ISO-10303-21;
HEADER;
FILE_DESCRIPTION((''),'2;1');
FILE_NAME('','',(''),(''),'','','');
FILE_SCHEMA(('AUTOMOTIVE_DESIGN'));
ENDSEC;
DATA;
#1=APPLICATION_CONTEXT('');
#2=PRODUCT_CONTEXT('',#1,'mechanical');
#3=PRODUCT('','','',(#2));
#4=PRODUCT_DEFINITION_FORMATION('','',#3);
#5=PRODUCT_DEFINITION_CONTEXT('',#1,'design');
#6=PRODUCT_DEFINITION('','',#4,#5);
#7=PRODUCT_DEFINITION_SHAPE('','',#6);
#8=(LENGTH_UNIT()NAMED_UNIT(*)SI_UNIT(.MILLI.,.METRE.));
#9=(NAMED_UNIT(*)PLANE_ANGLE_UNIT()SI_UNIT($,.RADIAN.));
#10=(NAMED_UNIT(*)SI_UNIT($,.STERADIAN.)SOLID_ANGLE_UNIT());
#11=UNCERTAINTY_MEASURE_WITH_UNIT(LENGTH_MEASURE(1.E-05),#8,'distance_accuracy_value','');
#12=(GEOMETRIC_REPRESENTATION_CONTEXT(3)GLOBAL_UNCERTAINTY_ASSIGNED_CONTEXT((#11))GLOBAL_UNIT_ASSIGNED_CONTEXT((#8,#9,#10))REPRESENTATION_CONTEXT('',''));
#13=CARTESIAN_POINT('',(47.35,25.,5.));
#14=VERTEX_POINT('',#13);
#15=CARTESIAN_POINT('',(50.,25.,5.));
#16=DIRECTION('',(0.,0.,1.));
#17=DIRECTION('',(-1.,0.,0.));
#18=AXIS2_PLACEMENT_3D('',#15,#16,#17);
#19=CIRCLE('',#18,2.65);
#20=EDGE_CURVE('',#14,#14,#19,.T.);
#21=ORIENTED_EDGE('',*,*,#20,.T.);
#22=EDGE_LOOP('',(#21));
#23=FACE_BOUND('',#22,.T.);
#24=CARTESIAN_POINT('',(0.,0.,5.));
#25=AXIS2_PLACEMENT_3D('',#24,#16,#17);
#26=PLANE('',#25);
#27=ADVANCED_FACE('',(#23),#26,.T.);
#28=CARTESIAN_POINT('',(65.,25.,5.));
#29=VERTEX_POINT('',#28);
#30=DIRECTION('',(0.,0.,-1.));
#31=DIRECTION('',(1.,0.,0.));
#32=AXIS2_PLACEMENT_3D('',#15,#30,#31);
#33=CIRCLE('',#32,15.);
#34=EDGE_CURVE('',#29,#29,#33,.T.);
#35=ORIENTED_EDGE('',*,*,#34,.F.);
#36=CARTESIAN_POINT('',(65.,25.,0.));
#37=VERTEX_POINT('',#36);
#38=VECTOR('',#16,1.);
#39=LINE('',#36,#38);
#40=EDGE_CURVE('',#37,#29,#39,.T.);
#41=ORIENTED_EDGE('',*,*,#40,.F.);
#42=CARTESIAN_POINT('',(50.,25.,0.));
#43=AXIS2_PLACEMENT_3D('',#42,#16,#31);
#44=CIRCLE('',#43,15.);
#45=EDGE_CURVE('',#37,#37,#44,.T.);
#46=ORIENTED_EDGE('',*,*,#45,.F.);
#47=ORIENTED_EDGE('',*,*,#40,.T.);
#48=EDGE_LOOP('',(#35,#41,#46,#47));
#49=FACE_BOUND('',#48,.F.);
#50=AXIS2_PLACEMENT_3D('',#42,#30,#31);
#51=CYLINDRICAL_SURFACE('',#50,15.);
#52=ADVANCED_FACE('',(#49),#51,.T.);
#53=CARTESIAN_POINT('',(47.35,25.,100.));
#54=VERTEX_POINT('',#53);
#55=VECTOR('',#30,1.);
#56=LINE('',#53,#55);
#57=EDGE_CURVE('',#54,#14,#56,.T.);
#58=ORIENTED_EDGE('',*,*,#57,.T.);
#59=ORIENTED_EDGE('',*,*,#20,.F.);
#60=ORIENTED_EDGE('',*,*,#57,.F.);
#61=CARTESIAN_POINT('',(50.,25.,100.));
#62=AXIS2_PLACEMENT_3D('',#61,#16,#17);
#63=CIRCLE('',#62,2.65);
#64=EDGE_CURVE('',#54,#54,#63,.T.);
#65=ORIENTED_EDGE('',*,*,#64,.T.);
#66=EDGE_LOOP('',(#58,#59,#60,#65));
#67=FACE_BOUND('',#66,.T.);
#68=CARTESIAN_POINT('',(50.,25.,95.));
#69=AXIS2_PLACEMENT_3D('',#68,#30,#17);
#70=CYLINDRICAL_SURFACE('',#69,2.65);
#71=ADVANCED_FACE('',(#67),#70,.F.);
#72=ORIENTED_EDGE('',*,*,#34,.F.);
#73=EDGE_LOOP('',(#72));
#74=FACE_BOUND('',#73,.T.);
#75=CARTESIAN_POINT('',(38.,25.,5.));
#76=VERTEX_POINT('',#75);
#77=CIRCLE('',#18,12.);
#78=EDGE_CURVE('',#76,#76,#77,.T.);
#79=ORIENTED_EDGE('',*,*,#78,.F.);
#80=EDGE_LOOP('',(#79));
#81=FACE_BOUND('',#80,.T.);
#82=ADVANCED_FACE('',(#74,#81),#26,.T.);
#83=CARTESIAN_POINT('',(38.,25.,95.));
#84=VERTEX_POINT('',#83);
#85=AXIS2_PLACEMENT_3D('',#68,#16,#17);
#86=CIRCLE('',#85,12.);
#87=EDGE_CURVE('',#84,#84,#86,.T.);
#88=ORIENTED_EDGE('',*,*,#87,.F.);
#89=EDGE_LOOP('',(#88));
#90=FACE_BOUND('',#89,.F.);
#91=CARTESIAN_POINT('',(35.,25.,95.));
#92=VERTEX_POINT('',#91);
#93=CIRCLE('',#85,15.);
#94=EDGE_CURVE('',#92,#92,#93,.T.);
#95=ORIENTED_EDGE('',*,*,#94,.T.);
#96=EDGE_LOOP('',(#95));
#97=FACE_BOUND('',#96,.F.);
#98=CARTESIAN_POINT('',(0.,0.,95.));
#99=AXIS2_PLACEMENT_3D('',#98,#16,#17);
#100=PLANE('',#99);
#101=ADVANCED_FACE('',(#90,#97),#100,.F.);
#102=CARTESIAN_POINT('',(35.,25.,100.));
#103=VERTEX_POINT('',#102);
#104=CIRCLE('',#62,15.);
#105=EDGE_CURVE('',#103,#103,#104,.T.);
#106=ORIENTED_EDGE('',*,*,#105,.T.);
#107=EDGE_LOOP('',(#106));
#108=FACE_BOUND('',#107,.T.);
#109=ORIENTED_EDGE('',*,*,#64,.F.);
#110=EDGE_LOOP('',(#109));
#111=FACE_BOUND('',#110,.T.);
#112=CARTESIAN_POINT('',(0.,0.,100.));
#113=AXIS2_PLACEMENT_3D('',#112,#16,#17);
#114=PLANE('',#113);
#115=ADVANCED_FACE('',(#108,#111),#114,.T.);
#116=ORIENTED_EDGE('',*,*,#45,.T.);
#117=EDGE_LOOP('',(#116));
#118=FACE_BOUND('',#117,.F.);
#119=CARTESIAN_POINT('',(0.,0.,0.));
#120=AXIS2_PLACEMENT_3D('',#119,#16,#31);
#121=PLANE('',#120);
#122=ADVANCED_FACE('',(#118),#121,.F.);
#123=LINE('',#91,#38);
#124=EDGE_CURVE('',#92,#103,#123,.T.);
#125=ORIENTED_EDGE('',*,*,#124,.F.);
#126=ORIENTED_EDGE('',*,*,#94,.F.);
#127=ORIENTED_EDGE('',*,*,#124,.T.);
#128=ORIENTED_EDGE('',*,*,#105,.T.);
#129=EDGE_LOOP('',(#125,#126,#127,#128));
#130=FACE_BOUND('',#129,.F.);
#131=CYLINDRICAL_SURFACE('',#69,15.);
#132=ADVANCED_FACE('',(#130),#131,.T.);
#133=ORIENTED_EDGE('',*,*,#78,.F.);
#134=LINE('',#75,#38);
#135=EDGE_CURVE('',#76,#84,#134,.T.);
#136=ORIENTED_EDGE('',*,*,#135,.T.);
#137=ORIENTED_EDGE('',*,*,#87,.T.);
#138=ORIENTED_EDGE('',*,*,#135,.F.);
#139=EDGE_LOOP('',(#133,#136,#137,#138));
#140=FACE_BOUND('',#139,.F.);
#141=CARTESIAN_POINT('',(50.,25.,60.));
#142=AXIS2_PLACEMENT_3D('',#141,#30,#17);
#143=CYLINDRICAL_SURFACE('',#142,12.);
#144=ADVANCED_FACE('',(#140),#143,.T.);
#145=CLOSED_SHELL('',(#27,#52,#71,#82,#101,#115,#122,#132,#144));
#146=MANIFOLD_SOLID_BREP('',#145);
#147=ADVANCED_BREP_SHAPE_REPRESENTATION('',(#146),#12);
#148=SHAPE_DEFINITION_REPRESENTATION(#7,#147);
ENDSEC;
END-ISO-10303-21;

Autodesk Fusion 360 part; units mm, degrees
sketch "Sketch1" plane through (0, 0, 0) normal (0, 0, 1) x (1, 0, 0)
  circle A0 centre (50, 25) radius 15
  dimension "d1" = 30
extrude "Extrude1" add sketch "Sketch1" along normal blind 60
sketch "Sketch2" plane through (0, 0, 60) normal (0, 0, 1) x (-1, 0, 0)
  circle A0 centre (-50, -25) radius 15
  circle A1 centre (-50, -25) radius 2.5
  dimension "d4" = 5
extrude "Extrude2" cut sketch "Sketch2" against normal blind 55 contours A1
sketch "Sketch3" plane through (0, 0, 60) normal (0, 0, 1) x (-1, 0, 0)
  circle A0 centre (-50, -25) radius 2.5
  circle A1 centre (-50, -25) radius 15
  circle A2 centre (-50, -25) radius 12
  dimension "d7" = 24
extrude "Extrude3" cut sketch "Sketch3" against normal blind 55 contours A1
sketch "Sketch4" plane through (0, 0, 60) normal (0, 0, 1) x (-1, 0, 0)
  circle A0 centre (-50, -25) radius 12
  circle A1 centre (-50, -25) radius 2.5
  circle A2 centre (-50, -25) radius 15
  dimension "d10" = 30
extrude "Extrude4" add sketch "Sketch4" against normal blind 5 contours A2
extrude "Extrude5" cut 1 faces at (63.9442, 25.7452, 5) along direction (0, 0, 1) blind 55
extrude "Extrude6" add 1 faces at (41.2207, 25.7204, 60) along direction (0, 0, -1) blind 55
extrude "Extrude7" add 1 faces at (41.2207, 25.7204, 60) along direction (0, 0, 1) blind 35
sketch "Sketch5" plane through (0, 0, 95) normal (0, 0, 1) x (-1, 0, 0)
  circle A0 centre (-50, -25) radius 12
  circle A1 centre (-50, -25) radius 2.5
  circle A2 centre (-50, -25) radius 2.65
  dimension "d19" = 5.3
extrude "Extrude8" cut sketch "Sketch5" against normal blind 90 contours A2
sketch "Sketch6" plane through (0, 0, 95) normal (0, 0, 1) x (-1, 0, 0)
  circle A0 centre (-50, -25) radius 2.65
  circle A1 centre (-50, -25) radius 12
  circle A2 centre (-50, -25) radius 15
  dimension "d22" = 30
extrude "Extrude9" add sketch "Sketch6" along normal blind 5 contours A1 | A2
